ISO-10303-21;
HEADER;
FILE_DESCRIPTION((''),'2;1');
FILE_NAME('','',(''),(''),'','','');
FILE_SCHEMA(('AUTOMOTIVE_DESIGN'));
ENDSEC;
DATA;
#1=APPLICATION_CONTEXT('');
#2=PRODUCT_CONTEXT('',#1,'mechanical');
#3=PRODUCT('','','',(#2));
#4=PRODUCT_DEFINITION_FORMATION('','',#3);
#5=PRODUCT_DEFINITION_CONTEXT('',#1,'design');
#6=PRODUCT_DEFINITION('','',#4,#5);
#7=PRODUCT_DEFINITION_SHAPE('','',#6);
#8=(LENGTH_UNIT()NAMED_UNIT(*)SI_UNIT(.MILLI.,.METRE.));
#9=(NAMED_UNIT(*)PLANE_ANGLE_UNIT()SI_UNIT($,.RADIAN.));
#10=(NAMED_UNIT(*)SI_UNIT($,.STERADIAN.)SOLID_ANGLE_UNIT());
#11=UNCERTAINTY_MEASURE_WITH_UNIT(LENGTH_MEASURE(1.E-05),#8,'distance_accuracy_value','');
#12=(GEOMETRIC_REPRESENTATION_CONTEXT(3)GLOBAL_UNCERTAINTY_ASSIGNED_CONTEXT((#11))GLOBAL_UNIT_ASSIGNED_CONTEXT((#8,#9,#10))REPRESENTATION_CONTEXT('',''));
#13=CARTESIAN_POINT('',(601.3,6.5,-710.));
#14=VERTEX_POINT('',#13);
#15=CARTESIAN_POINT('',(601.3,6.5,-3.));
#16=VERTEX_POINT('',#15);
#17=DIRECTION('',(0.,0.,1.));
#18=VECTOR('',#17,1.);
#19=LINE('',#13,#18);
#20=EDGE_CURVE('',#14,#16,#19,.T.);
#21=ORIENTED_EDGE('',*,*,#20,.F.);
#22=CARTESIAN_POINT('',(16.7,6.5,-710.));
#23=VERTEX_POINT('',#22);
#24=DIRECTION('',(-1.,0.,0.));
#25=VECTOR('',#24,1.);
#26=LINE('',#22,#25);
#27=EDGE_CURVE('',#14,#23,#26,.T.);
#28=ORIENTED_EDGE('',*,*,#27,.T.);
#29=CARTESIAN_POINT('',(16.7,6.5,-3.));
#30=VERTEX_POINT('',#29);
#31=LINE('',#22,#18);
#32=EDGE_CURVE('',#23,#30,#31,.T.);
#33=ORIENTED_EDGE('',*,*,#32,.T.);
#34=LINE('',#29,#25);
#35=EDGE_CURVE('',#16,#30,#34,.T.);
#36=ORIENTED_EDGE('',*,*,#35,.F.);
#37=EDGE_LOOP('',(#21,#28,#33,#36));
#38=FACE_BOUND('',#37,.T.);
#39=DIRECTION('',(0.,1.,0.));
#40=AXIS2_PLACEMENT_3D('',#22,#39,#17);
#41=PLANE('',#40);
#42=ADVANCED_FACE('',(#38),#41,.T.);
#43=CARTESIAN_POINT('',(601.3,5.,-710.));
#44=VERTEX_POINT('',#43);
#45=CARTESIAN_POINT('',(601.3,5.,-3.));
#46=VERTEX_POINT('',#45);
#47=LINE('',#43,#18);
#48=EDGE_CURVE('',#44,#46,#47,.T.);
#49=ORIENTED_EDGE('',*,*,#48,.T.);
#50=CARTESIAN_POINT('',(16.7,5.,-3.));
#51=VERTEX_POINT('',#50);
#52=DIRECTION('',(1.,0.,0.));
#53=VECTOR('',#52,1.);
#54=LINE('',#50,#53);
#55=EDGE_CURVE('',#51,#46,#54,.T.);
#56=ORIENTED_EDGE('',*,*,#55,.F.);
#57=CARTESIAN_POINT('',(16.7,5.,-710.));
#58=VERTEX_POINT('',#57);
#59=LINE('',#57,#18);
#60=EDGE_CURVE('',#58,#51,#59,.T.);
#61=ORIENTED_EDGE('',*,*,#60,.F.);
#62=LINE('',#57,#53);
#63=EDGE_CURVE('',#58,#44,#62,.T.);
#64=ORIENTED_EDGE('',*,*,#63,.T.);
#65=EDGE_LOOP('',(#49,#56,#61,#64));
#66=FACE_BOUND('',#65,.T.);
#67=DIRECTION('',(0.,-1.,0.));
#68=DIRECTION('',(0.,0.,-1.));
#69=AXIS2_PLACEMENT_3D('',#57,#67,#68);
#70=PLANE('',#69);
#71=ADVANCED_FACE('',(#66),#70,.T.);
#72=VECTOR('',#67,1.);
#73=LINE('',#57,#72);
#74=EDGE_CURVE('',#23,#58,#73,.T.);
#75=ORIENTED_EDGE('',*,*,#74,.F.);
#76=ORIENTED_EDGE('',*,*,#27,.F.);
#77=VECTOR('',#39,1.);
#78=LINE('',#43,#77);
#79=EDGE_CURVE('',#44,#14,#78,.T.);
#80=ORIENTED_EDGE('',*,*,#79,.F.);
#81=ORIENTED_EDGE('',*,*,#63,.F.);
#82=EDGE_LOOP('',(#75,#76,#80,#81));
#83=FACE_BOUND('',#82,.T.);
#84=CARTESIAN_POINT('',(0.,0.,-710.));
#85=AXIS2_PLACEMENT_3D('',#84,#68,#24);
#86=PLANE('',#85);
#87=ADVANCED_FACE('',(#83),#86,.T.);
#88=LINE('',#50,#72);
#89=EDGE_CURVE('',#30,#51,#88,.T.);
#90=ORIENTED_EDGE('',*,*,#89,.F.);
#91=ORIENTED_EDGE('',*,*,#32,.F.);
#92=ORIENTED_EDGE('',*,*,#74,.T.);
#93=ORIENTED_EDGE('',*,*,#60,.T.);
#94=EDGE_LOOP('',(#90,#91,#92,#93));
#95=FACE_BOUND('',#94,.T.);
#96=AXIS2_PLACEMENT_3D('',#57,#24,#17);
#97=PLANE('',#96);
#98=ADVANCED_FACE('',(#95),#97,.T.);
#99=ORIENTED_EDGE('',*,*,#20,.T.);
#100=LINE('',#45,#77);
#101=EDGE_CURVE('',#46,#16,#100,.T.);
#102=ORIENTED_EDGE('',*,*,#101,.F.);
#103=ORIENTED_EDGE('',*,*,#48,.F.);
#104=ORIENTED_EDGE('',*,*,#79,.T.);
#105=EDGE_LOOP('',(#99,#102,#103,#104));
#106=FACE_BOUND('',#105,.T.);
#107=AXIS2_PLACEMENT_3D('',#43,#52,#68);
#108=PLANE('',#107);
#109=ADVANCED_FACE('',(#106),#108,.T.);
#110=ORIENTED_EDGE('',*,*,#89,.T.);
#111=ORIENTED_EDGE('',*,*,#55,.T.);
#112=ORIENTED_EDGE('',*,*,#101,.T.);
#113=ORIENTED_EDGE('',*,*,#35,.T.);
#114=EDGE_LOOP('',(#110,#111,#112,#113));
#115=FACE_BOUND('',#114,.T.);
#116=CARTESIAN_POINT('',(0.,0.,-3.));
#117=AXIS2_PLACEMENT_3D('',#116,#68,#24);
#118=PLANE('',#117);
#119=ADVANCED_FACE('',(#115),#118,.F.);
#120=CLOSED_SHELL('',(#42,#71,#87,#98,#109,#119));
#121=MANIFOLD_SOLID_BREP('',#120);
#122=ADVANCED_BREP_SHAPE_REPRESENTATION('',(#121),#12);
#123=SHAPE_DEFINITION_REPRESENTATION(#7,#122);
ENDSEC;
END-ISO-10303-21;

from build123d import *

# Parameters (mm, degrees)
CEK_ICECEK_TEPSI_TABAN_SACI_1_5_1_START = -3
SKETCH1_W                               = 584.6
SKETCH1_H                               = 1.5
CEK_ICECEK_TEPSI_TABAN_SACI_1_5_1_DEPTH = 707


with BuildPart() as part:
    # Sketch1 → CEK_icecek_tepsi_taban_saci_1.5_1 (new body)
    with BuildSketch(Plane.XY.offset(CEK_ICECEK_TEPSI_TABAN_SACI_1_5_1_START)):
        with Locations((309, 5.75)):
            Rectangle(SKETCH1_W, SKETCH1_H)
    extrude(amount=-CEK_ICECEK_TEPSI_TABAN_SACI_1_5_1_DEPTH)


solid = part.part
